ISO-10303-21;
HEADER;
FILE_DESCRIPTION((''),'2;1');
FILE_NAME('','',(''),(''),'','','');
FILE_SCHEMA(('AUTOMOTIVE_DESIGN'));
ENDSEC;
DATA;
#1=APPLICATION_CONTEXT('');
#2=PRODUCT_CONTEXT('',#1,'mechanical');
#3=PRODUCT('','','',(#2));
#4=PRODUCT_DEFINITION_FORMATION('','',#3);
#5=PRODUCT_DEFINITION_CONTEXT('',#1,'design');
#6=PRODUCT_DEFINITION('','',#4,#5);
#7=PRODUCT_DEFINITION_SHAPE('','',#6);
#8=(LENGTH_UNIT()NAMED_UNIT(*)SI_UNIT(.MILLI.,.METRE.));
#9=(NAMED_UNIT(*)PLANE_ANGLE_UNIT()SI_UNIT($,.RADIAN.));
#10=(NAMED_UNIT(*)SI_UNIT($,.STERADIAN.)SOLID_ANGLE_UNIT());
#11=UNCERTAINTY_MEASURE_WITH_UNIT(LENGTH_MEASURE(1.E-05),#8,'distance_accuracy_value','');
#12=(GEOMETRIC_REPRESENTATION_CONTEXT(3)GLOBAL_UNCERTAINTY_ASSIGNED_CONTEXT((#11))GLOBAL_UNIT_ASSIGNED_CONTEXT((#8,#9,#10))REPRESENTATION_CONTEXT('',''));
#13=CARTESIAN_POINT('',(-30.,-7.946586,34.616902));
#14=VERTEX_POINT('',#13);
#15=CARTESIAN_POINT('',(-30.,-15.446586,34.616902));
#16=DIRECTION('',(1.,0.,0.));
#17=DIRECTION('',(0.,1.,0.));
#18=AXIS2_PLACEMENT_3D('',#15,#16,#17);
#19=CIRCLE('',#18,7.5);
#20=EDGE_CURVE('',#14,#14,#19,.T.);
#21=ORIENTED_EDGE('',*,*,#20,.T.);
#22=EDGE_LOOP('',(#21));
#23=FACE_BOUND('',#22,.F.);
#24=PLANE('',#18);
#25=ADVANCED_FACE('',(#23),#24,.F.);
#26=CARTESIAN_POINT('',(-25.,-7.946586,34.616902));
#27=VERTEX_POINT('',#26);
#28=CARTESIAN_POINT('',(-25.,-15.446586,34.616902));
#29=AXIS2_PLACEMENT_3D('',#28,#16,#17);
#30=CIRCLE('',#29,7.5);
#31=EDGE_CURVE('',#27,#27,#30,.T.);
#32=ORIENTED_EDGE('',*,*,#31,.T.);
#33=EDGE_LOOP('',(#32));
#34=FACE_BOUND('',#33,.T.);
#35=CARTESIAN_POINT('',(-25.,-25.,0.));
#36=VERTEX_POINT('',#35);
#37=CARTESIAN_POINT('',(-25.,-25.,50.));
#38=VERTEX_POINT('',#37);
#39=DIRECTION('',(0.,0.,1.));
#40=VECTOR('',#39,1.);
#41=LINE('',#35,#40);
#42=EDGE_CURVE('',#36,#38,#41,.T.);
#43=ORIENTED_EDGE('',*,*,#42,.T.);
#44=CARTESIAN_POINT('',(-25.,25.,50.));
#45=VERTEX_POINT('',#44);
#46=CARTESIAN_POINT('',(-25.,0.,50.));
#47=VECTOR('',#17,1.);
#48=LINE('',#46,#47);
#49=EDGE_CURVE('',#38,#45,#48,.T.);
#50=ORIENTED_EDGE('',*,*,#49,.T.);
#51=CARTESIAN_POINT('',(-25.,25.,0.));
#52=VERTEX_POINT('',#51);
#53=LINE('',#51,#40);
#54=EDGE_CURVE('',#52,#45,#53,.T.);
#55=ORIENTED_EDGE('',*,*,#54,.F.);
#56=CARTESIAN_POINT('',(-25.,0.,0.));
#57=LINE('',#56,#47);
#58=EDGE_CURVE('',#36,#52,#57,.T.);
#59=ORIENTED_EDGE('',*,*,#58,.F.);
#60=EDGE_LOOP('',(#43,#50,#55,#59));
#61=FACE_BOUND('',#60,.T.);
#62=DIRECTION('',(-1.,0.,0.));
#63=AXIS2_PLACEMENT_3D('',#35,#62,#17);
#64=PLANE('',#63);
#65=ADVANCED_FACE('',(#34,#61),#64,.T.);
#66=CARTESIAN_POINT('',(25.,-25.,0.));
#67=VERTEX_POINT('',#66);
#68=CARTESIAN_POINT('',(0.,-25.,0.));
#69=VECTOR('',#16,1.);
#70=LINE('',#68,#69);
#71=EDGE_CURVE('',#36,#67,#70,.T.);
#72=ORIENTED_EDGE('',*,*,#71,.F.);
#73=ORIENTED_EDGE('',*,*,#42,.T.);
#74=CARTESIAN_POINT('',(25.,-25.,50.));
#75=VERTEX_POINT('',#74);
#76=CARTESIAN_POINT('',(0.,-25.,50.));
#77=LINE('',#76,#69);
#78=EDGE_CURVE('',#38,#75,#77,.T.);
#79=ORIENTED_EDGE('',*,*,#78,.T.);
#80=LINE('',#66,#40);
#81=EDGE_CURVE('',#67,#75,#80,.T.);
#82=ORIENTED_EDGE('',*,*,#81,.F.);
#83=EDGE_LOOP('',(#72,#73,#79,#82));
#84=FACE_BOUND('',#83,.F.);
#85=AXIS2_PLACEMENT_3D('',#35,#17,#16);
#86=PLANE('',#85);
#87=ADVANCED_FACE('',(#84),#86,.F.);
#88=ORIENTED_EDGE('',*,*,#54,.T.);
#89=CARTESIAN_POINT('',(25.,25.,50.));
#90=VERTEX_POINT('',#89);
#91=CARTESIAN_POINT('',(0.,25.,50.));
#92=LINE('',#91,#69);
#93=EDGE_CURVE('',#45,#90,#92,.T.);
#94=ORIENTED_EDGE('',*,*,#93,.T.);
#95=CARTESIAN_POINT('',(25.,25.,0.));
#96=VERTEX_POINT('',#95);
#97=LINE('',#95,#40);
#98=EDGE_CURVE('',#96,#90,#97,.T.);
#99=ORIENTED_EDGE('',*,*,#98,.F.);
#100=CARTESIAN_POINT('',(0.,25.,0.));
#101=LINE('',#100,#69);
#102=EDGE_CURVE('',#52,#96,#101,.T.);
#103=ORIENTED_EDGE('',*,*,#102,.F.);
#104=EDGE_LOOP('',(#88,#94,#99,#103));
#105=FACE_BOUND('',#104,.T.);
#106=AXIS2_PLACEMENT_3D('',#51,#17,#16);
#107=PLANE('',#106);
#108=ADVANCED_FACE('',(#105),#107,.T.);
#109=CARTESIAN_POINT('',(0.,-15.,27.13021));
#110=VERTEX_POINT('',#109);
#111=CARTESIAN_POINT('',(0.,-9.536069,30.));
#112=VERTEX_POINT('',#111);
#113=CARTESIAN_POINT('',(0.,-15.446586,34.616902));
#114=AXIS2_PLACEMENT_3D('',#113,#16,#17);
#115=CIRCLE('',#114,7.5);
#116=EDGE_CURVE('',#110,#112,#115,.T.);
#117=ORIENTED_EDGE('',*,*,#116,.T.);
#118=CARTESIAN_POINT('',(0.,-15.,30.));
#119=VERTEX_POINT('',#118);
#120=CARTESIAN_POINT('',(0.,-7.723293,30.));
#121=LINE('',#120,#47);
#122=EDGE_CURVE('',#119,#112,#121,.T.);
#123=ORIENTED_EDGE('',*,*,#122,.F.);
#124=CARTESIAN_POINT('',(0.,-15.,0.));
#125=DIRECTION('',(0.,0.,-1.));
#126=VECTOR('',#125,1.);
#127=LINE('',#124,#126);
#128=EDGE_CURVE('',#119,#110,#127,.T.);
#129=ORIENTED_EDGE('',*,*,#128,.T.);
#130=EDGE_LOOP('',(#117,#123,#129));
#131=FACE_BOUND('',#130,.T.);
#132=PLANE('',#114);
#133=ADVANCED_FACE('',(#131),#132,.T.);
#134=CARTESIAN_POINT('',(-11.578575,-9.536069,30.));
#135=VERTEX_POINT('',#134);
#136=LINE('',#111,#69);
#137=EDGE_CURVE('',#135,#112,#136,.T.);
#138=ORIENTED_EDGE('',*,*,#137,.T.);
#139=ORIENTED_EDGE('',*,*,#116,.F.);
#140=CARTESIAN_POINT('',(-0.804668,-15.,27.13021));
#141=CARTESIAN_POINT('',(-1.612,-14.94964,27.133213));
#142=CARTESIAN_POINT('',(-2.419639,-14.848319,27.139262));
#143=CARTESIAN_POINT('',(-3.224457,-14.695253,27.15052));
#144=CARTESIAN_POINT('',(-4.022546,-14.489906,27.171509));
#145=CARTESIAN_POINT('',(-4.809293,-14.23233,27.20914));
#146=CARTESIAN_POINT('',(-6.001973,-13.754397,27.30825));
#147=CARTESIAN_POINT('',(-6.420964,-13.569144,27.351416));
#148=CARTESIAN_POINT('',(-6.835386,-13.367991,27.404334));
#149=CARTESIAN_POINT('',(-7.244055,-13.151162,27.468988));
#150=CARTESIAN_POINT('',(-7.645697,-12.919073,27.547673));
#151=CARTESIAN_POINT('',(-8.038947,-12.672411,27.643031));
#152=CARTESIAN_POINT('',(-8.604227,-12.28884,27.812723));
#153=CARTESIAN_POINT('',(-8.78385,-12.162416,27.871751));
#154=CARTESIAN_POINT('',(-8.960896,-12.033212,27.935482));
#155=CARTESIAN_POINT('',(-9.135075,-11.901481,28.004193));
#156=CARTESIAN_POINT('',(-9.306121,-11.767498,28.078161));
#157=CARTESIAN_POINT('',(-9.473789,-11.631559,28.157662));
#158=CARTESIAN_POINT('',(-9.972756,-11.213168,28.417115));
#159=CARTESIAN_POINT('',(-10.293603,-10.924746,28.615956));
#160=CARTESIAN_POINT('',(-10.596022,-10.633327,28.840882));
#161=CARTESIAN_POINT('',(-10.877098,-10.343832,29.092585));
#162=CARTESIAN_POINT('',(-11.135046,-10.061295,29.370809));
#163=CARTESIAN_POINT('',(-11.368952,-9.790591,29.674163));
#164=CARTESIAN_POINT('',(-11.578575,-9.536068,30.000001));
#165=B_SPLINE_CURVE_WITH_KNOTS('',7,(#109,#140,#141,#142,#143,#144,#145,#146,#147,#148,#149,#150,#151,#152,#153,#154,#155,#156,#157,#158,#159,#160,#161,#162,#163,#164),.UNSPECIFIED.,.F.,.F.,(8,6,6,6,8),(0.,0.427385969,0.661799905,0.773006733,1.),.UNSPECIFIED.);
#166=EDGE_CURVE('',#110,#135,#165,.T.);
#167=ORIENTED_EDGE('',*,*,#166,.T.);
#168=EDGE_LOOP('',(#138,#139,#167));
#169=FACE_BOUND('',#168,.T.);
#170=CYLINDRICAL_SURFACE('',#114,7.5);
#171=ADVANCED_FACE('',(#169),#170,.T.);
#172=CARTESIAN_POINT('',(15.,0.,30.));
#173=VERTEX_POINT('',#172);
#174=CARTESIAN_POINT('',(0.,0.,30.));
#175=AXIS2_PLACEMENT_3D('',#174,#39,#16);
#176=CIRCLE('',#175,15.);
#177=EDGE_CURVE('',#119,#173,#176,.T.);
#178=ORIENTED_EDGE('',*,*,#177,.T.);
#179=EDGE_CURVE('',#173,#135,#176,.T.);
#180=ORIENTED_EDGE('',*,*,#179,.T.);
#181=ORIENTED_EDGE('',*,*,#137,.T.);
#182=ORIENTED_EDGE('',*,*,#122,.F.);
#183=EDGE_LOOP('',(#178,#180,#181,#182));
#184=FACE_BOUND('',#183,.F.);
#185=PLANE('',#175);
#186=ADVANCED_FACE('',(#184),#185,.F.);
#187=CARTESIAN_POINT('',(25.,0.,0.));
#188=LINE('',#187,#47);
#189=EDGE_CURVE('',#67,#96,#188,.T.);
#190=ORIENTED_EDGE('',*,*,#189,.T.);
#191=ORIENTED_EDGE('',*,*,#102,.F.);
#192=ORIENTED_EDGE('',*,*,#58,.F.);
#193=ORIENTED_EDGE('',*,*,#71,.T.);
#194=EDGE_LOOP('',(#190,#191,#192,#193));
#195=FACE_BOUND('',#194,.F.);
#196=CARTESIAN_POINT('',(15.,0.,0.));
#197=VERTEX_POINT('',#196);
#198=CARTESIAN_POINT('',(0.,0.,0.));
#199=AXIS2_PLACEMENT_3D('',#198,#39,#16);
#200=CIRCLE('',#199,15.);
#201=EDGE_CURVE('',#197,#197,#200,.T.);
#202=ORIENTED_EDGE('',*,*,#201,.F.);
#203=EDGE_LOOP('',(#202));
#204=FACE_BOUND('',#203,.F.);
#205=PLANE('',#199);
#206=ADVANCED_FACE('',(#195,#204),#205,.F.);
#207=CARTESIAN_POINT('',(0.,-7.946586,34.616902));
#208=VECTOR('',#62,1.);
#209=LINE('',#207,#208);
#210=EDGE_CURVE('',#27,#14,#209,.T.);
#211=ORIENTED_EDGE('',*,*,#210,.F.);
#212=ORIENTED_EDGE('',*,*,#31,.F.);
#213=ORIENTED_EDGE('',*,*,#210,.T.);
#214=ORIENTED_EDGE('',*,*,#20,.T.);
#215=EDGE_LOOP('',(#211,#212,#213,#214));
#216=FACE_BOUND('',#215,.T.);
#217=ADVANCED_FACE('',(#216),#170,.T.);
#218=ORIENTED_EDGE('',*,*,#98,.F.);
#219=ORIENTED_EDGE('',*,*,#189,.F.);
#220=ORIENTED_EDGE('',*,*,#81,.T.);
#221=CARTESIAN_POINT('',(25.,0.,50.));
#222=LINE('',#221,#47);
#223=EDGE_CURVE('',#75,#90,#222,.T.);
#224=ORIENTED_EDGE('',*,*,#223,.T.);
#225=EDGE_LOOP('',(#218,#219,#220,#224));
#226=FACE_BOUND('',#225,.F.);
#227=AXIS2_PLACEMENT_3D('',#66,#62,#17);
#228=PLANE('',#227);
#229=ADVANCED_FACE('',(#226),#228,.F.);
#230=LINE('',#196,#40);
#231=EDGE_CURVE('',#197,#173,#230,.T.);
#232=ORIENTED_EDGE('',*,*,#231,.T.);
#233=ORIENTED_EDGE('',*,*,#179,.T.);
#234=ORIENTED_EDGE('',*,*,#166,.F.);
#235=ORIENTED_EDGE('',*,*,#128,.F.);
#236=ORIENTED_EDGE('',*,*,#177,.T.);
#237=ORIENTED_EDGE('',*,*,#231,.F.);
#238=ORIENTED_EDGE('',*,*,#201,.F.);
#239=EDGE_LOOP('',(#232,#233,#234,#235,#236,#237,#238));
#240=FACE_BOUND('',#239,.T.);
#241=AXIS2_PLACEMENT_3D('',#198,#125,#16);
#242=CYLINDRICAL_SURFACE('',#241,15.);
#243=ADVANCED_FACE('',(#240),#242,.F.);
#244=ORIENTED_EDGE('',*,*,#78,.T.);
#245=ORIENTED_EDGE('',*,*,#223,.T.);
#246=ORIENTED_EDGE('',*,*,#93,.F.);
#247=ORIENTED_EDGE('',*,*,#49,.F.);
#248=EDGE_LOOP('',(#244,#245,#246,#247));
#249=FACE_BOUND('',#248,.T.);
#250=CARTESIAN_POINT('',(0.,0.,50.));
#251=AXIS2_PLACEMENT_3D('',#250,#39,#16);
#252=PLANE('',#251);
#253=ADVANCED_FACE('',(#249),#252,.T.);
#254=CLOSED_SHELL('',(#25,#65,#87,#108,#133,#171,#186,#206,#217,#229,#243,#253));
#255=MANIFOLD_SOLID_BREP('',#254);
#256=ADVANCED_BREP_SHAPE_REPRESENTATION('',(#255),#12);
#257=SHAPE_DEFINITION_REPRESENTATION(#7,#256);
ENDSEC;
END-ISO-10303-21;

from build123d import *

# Parameters (mm, degrees)
F0_W     = 50
F0_H     = 50
F1_DEPTH = 50
F2_R     = 15
F3_DEPTH = 30
F4_R     = 7.5
F5_DEPTH = 30


with BuildPart() as f1:
    # F0 (on Top) → F1 (new body)
    with BuildSketch(Plane.XY):
        Rectangle(F0_W, F0_H)
    extrude(amount=F1_DEPTH)

    # F2 (on Top) → F3 (cut)
    with BuildSketch(Plane.XY):
        Circle(F2_R)
    extrude(amount=F3_DEPTH, mode=Mode.SUBTRACT)

    # F4 (on Right) → F5 (join)
    with BuildSketch(Plane.YZ):
        with Locations((-15.446586, 34.616902)):
            Circle(F4_R)
    extrude(amount=-F5_DEPTH)


solid = f1.part
